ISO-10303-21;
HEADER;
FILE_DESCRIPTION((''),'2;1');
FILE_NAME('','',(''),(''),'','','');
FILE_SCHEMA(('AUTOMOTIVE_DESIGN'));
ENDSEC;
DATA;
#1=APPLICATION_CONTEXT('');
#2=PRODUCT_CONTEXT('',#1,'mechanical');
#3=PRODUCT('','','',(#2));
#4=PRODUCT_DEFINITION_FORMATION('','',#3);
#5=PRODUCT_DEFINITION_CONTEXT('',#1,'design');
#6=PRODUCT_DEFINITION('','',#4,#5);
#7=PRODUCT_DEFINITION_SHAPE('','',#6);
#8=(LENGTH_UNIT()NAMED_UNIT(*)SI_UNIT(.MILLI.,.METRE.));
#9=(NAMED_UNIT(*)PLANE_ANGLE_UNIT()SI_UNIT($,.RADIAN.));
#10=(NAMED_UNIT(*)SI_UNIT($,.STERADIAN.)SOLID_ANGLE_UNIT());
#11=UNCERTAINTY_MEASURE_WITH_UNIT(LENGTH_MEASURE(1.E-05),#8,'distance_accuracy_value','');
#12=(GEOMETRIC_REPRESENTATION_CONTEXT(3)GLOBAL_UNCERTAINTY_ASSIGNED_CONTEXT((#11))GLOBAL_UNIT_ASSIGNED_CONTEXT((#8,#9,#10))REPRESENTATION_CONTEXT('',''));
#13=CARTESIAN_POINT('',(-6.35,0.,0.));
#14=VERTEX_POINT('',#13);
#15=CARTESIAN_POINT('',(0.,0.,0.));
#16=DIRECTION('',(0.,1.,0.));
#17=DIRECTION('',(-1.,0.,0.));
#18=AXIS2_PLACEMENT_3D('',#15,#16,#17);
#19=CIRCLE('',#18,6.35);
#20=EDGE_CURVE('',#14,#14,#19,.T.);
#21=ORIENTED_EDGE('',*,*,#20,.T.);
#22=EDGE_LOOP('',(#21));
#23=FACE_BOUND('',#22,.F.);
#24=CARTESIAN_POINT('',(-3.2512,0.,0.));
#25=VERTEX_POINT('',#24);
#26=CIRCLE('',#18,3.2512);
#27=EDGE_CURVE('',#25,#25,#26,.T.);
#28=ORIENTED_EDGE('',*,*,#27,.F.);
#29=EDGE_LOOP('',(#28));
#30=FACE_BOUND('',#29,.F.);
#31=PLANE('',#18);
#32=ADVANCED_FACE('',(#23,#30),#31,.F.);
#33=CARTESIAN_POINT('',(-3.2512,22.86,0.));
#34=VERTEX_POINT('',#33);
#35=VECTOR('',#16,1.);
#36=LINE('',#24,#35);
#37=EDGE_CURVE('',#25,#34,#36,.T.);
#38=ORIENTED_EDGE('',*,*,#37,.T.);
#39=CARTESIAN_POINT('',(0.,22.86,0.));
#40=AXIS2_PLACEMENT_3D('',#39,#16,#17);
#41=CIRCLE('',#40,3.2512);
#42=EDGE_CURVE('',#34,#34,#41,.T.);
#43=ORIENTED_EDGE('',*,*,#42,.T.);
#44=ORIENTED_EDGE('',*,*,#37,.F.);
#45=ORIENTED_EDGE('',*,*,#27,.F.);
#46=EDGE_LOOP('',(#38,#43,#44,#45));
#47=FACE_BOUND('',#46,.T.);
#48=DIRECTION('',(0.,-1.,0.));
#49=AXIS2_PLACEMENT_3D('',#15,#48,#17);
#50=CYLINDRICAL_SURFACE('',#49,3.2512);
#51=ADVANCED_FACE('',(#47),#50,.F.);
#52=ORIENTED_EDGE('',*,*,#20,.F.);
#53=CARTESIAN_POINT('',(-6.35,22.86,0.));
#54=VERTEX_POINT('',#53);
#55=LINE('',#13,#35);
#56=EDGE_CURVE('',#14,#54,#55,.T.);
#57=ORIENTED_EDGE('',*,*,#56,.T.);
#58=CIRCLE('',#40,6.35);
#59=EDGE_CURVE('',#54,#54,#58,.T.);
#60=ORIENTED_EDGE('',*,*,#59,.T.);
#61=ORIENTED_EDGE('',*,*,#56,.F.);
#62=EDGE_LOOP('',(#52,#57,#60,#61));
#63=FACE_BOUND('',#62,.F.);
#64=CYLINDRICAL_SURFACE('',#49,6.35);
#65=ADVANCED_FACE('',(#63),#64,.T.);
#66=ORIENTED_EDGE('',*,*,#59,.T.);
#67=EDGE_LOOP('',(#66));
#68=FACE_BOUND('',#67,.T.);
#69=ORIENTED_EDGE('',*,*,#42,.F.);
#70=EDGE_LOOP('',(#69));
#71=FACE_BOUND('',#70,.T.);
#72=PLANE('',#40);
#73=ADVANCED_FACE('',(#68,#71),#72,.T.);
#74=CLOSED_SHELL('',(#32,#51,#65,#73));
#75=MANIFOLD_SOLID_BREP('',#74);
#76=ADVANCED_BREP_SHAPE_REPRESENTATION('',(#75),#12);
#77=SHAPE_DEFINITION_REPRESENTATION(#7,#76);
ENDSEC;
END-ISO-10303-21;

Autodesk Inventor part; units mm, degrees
ref_plane "YZ Plane" through (0, 0, 0) normal (1, 0, 0) x (0, 1, 0)
ref_plane "XZ Plane" through (0, 0, 0) normal (0, 1, 0) x (-1, 0, 0)
ref_plane "XY Plane" through (0, 0, 0) normal (0, 0, 1) x (1, 0, 0)
sketch "Sketch1" plane through (0, 0, 0) normal (0, 1, 0) x (-1, 0, 0)
  circle A0 centre (0, 0) radius 6.35
  circle A1 centre (0, 0) radius 3.2512
  dimension "d0" = 12.7
  dimension "d1" = 6.5024
extrude "Extrusion1" add sketch "Sketch1" along normal blind 22.86
properties part number "ELEV_043_SPACER13" material "Aluminum 6061"
